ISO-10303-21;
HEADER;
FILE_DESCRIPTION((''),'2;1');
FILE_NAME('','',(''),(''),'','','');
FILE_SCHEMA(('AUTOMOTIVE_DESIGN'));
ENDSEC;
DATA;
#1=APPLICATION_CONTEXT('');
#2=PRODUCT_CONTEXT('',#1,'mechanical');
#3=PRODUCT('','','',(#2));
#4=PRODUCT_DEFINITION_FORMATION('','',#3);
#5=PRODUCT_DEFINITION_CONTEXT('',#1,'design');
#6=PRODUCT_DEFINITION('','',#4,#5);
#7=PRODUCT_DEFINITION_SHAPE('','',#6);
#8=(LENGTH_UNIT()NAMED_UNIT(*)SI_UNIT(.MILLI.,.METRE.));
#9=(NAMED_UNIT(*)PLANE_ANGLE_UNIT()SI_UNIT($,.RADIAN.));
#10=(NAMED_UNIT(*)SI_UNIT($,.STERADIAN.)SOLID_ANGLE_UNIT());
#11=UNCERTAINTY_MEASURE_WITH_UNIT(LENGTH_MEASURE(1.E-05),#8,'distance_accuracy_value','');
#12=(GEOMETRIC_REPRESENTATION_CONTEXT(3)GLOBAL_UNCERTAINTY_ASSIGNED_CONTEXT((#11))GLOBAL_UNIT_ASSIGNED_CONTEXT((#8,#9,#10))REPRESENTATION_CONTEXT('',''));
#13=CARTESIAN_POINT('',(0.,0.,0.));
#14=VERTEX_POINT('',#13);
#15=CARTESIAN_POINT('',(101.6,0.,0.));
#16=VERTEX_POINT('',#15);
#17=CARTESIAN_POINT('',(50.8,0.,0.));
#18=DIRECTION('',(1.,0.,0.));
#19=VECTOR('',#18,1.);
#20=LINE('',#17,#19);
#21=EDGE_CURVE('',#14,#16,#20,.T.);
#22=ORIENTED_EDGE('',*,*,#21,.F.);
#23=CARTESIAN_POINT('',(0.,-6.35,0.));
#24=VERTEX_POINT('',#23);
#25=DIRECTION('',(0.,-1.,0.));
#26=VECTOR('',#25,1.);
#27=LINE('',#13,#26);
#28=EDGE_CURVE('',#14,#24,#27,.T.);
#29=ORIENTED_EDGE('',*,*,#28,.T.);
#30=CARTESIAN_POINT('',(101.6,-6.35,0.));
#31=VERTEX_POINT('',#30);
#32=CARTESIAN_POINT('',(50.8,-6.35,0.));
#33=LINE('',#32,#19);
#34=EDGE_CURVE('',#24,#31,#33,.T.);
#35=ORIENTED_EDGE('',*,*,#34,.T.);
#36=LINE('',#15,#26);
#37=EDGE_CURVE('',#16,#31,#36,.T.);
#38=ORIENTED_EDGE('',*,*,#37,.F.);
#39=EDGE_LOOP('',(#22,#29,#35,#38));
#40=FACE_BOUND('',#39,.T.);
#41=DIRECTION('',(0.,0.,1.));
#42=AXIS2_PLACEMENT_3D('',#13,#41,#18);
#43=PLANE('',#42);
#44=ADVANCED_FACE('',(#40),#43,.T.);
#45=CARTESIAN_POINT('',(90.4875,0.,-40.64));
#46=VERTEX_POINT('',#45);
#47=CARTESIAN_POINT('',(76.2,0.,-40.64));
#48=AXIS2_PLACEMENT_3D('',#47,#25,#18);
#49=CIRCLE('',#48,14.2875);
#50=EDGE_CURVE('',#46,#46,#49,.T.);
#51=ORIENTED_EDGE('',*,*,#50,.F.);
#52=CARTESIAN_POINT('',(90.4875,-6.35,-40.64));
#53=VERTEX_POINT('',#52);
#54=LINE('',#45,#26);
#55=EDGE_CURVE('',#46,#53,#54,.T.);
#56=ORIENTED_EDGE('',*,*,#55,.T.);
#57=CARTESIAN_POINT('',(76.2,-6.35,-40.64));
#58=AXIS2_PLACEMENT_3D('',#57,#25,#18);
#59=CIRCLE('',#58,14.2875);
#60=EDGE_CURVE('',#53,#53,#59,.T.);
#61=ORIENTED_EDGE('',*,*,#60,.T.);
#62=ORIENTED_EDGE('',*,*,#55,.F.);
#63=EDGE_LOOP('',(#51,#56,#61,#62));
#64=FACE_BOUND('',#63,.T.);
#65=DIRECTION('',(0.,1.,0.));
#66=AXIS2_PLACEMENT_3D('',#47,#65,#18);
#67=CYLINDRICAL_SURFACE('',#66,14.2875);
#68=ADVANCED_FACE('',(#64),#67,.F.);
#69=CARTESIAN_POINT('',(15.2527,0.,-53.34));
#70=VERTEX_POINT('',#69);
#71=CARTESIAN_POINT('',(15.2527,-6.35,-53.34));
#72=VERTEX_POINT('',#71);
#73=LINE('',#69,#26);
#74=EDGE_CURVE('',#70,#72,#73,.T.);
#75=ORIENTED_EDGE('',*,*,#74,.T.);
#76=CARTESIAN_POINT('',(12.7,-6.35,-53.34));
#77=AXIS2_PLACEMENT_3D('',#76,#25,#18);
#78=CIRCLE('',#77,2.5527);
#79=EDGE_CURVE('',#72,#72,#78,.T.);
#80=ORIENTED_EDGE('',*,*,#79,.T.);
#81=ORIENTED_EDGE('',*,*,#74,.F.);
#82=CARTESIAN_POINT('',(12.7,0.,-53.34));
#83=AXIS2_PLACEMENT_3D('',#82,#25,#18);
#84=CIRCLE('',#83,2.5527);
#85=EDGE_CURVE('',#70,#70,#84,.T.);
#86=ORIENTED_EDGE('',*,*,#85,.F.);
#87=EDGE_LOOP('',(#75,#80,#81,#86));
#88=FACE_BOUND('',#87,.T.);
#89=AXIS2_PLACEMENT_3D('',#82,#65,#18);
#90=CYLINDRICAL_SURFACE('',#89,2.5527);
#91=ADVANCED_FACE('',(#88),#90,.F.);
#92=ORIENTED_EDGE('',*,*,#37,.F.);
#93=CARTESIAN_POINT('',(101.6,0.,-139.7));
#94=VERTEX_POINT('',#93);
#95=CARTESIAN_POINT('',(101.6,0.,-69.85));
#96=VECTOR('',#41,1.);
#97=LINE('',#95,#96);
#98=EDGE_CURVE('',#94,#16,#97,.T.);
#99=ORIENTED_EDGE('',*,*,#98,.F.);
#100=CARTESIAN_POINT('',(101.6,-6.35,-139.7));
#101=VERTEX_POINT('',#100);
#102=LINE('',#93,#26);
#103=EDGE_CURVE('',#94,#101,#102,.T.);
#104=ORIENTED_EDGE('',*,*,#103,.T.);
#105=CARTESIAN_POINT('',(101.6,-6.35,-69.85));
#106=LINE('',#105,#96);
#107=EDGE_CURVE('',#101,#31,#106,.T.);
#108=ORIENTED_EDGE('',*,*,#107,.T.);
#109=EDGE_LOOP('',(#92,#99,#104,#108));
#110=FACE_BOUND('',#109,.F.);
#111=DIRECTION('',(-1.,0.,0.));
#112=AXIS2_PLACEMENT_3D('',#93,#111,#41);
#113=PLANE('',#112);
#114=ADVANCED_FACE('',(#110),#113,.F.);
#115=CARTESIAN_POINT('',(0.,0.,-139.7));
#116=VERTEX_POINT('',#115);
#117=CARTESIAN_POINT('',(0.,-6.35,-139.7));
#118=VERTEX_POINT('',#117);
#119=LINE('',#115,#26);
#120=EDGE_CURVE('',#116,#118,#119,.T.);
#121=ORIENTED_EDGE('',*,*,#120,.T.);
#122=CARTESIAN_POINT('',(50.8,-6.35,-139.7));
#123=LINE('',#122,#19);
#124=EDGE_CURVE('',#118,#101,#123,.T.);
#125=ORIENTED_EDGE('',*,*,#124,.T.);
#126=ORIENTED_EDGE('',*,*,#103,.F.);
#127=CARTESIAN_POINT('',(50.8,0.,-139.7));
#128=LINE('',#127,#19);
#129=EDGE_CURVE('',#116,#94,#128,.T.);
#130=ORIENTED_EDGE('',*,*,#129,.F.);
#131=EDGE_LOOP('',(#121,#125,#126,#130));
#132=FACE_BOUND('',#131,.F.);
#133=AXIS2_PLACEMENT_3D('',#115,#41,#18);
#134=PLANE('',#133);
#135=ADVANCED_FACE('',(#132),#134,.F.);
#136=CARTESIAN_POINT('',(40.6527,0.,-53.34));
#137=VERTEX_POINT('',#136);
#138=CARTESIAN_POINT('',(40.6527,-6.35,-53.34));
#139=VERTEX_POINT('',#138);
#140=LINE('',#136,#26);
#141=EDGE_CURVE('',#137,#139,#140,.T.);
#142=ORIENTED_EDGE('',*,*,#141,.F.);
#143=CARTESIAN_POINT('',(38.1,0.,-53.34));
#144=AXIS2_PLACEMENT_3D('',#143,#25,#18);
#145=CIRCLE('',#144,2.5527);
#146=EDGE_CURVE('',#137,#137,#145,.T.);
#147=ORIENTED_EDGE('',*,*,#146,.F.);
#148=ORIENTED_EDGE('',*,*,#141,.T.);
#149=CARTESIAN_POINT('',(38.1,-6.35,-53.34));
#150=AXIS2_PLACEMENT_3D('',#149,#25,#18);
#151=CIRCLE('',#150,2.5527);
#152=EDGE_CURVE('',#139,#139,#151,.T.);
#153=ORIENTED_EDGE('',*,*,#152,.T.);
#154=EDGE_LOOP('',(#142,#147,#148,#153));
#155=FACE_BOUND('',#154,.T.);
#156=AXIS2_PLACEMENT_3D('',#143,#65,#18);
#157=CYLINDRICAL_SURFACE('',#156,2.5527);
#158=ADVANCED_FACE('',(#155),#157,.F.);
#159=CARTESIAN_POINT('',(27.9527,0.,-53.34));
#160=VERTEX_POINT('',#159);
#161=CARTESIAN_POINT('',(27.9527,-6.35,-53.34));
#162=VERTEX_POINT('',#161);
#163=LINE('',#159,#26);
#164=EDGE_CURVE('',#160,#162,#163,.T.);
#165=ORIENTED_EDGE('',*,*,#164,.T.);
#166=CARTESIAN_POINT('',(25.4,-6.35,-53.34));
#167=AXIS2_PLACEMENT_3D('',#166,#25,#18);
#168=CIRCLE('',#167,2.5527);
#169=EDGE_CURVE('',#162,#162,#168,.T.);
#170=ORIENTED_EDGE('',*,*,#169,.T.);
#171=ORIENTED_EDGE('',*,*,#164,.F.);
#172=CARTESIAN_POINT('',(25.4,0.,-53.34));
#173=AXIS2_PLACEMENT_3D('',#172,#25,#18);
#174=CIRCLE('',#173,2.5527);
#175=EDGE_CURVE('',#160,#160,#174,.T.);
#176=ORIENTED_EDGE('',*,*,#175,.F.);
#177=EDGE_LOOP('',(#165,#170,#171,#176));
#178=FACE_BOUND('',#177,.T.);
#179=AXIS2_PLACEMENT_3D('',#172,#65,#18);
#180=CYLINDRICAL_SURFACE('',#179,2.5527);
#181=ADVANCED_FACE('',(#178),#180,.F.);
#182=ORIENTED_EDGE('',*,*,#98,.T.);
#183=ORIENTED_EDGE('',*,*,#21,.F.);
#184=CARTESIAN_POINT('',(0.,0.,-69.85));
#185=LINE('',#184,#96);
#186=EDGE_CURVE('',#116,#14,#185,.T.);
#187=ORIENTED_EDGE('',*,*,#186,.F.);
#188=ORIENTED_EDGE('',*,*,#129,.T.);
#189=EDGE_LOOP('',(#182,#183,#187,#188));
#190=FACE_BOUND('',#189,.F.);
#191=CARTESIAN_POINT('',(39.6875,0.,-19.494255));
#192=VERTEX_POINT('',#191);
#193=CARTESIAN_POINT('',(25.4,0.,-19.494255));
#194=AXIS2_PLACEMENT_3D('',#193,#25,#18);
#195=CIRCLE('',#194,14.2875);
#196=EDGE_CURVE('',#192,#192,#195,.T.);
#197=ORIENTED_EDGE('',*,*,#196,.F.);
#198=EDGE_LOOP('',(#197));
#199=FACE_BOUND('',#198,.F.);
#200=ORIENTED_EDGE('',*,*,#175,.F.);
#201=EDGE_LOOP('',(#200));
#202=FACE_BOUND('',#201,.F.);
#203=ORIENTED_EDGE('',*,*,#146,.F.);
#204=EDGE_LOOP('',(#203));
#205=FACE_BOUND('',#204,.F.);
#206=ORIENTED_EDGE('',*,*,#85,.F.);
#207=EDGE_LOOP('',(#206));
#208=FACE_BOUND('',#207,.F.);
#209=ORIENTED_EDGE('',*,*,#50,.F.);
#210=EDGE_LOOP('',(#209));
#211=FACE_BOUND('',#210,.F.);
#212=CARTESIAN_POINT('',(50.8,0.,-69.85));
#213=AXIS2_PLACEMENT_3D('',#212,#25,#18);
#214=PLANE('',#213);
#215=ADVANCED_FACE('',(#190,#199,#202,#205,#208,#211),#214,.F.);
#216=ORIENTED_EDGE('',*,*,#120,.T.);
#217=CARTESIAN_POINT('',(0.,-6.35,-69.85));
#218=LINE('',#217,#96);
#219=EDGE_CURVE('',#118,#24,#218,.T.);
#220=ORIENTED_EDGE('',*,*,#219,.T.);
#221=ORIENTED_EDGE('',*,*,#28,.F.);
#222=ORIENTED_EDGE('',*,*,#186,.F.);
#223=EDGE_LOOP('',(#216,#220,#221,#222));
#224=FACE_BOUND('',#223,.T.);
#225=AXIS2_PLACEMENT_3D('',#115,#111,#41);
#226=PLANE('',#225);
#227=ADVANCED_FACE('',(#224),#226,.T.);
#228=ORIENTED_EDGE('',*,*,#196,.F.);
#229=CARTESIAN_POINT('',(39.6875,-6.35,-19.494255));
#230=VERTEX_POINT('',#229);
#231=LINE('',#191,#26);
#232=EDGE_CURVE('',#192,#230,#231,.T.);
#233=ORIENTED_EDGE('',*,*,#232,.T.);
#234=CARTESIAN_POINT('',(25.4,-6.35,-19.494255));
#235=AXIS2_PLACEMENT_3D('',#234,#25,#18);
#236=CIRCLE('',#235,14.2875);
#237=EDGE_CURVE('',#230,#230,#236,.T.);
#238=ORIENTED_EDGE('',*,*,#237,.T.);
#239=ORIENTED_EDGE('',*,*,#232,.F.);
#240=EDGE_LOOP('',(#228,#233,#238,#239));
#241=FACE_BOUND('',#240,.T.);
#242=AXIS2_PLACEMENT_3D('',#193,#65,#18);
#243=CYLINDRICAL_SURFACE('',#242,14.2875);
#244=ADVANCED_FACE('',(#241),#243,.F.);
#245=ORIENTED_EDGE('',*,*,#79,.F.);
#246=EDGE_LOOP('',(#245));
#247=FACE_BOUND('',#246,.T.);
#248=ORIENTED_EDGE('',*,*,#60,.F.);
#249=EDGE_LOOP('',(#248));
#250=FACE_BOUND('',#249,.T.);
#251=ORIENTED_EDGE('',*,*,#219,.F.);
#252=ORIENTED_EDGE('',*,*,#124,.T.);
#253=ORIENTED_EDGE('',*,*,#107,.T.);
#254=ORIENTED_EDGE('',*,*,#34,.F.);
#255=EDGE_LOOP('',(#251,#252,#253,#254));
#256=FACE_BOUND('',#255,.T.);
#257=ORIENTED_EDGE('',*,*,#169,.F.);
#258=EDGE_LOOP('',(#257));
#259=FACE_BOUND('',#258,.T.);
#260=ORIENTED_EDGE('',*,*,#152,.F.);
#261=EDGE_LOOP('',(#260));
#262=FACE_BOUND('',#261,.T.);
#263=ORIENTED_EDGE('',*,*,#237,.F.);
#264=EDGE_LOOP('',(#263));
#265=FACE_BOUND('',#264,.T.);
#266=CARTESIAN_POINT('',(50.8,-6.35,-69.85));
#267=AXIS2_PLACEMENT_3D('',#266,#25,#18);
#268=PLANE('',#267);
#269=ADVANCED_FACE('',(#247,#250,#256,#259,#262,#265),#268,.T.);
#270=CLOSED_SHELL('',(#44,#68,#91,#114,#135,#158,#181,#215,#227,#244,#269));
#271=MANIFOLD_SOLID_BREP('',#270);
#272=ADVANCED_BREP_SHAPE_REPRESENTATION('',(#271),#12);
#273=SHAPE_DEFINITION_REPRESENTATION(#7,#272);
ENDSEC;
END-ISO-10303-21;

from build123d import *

# Parameters (mm, degrees)
F0_W     = 101.6
F0_H     = 139.7
F0_R     = 2.5527
F0_R_2   = 14.2875
F1_DEPTH = 6.35


with BuildPart() as f1:
    # F0 (on Front) → F1 (new body)
    with BuildSketch(Plane.XZ):
        with Locations((50.8, -69.85)):
            Rectangle(F0_W, F0_H)
        with Locations((12.7, -53.34)):
            Circle(F0_R, mode=Mode.SUBTRACT)
        with Locations((25.4, -53.34)):
            Circle(F0_R, mode=Mode.SUBTRACT)
        with Locations((38.1, -53.34)):
            Circle(F0_R, mode=Mode.SUBTRACT)
        with Locations((25.4, -19.494255)):
            Circle(F0_R_2, mode=Mode.SUBTRACT)
        with Locations((76.2, -40.64)):
            Circle(F0_R_2, mode=Mode.SUBTRACT)
    extrude(amount=F1_DEPTH)


solid = f1.part
